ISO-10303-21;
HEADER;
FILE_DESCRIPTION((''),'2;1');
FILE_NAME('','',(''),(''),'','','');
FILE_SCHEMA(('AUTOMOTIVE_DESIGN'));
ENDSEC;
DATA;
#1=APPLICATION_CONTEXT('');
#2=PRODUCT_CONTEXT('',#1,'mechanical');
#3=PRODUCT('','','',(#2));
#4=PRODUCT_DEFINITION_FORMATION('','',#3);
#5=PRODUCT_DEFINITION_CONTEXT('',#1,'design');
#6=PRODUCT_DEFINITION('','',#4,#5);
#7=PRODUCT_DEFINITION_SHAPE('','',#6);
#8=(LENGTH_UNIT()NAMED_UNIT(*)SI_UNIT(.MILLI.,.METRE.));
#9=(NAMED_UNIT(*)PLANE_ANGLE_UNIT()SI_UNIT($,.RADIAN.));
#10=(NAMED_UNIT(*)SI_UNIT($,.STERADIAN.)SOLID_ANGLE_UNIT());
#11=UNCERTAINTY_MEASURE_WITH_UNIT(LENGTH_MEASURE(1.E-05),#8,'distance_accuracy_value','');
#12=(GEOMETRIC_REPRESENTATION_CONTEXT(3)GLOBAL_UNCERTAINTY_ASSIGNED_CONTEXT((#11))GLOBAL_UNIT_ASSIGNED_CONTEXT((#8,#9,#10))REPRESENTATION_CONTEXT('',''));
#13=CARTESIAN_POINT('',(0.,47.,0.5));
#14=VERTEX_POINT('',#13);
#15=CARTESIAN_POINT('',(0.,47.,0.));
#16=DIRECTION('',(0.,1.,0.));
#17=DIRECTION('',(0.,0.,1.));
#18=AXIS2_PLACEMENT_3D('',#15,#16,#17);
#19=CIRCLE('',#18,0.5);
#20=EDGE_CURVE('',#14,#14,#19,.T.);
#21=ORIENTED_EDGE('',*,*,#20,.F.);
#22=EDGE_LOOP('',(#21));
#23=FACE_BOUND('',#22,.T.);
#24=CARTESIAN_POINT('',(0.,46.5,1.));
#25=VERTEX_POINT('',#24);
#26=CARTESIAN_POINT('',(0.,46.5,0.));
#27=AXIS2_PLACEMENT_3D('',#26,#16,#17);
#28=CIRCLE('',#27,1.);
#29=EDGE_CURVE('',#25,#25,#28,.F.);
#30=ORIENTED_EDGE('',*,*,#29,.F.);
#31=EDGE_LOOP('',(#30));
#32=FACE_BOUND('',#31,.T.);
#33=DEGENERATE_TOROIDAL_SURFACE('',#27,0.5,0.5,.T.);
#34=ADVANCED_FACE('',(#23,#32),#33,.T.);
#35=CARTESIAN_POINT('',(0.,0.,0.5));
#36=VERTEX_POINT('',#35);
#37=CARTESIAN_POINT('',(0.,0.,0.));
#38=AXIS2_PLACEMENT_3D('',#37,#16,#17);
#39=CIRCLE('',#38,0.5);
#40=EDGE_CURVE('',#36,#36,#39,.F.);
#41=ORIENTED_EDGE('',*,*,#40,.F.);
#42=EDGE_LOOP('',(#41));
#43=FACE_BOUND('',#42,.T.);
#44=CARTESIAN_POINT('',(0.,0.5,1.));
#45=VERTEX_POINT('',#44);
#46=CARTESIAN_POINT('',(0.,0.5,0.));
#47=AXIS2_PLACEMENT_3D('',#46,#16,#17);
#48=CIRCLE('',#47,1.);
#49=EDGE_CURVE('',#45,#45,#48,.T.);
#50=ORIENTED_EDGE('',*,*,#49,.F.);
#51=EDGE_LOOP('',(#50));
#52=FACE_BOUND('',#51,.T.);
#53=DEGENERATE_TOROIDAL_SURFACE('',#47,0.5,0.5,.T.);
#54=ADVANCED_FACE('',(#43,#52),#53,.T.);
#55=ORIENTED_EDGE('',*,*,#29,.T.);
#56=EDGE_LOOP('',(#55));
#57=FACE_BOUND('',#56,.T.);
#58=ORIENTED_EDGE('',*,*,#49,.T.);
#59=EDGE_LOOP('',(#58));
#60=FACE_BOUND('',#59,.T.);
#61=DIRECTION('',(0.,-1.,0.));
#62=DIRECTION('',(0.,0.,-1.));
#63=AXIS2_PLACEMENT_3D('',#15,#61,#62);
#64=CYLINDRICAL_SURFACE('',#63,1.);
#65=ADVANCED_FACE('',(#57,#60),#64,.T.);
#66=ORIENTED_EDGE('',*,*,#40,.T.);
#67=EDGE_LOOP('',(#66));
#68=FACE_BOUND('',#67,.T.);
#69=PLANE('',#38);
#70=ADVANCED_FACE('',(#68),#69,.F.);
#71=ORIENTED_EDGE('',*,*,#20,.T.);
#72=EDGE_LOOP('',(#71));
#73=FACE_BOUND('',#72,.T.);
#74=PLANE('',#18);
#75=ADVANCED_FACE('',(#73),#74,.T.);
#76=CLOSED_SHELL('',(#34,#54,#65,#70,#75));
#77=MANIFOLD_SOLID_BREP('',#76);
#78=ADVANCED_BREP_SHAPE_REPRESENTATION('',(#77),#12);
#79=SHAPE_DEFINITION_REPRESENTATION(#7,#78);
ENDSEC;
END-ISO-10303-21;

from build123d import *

# Parameters (mm, degrees)
SKETCH1_R           = 1
BOSS_EXTRUDE1_DEPTH = 47
FILLET1_R           = 0.5


with BuildPart() as part:
    # Sketch1 → Boss-Extrude1 (new body)
    with BuildSketch(Plane(origin=(0, 0, 0), x_dir=(1, 0, 0), z_dir=(0, 1, 0))):
        with Locations(Location((0, 0, 0), (0, 0, 270))):
            Circle(SKETCH1_R)
    extrude(amount=BOSS_EXTRUDE1_DEPTH)

    # Fillet1
    fillet1_edges = [part.edges().sort_by_distance(p)[0] for p in [
        (0, 0, -1),
        (0, 47, -1),
    ]]
    fillet(fillet1_edges, radius=FILLET1_R)


solid = part.part
